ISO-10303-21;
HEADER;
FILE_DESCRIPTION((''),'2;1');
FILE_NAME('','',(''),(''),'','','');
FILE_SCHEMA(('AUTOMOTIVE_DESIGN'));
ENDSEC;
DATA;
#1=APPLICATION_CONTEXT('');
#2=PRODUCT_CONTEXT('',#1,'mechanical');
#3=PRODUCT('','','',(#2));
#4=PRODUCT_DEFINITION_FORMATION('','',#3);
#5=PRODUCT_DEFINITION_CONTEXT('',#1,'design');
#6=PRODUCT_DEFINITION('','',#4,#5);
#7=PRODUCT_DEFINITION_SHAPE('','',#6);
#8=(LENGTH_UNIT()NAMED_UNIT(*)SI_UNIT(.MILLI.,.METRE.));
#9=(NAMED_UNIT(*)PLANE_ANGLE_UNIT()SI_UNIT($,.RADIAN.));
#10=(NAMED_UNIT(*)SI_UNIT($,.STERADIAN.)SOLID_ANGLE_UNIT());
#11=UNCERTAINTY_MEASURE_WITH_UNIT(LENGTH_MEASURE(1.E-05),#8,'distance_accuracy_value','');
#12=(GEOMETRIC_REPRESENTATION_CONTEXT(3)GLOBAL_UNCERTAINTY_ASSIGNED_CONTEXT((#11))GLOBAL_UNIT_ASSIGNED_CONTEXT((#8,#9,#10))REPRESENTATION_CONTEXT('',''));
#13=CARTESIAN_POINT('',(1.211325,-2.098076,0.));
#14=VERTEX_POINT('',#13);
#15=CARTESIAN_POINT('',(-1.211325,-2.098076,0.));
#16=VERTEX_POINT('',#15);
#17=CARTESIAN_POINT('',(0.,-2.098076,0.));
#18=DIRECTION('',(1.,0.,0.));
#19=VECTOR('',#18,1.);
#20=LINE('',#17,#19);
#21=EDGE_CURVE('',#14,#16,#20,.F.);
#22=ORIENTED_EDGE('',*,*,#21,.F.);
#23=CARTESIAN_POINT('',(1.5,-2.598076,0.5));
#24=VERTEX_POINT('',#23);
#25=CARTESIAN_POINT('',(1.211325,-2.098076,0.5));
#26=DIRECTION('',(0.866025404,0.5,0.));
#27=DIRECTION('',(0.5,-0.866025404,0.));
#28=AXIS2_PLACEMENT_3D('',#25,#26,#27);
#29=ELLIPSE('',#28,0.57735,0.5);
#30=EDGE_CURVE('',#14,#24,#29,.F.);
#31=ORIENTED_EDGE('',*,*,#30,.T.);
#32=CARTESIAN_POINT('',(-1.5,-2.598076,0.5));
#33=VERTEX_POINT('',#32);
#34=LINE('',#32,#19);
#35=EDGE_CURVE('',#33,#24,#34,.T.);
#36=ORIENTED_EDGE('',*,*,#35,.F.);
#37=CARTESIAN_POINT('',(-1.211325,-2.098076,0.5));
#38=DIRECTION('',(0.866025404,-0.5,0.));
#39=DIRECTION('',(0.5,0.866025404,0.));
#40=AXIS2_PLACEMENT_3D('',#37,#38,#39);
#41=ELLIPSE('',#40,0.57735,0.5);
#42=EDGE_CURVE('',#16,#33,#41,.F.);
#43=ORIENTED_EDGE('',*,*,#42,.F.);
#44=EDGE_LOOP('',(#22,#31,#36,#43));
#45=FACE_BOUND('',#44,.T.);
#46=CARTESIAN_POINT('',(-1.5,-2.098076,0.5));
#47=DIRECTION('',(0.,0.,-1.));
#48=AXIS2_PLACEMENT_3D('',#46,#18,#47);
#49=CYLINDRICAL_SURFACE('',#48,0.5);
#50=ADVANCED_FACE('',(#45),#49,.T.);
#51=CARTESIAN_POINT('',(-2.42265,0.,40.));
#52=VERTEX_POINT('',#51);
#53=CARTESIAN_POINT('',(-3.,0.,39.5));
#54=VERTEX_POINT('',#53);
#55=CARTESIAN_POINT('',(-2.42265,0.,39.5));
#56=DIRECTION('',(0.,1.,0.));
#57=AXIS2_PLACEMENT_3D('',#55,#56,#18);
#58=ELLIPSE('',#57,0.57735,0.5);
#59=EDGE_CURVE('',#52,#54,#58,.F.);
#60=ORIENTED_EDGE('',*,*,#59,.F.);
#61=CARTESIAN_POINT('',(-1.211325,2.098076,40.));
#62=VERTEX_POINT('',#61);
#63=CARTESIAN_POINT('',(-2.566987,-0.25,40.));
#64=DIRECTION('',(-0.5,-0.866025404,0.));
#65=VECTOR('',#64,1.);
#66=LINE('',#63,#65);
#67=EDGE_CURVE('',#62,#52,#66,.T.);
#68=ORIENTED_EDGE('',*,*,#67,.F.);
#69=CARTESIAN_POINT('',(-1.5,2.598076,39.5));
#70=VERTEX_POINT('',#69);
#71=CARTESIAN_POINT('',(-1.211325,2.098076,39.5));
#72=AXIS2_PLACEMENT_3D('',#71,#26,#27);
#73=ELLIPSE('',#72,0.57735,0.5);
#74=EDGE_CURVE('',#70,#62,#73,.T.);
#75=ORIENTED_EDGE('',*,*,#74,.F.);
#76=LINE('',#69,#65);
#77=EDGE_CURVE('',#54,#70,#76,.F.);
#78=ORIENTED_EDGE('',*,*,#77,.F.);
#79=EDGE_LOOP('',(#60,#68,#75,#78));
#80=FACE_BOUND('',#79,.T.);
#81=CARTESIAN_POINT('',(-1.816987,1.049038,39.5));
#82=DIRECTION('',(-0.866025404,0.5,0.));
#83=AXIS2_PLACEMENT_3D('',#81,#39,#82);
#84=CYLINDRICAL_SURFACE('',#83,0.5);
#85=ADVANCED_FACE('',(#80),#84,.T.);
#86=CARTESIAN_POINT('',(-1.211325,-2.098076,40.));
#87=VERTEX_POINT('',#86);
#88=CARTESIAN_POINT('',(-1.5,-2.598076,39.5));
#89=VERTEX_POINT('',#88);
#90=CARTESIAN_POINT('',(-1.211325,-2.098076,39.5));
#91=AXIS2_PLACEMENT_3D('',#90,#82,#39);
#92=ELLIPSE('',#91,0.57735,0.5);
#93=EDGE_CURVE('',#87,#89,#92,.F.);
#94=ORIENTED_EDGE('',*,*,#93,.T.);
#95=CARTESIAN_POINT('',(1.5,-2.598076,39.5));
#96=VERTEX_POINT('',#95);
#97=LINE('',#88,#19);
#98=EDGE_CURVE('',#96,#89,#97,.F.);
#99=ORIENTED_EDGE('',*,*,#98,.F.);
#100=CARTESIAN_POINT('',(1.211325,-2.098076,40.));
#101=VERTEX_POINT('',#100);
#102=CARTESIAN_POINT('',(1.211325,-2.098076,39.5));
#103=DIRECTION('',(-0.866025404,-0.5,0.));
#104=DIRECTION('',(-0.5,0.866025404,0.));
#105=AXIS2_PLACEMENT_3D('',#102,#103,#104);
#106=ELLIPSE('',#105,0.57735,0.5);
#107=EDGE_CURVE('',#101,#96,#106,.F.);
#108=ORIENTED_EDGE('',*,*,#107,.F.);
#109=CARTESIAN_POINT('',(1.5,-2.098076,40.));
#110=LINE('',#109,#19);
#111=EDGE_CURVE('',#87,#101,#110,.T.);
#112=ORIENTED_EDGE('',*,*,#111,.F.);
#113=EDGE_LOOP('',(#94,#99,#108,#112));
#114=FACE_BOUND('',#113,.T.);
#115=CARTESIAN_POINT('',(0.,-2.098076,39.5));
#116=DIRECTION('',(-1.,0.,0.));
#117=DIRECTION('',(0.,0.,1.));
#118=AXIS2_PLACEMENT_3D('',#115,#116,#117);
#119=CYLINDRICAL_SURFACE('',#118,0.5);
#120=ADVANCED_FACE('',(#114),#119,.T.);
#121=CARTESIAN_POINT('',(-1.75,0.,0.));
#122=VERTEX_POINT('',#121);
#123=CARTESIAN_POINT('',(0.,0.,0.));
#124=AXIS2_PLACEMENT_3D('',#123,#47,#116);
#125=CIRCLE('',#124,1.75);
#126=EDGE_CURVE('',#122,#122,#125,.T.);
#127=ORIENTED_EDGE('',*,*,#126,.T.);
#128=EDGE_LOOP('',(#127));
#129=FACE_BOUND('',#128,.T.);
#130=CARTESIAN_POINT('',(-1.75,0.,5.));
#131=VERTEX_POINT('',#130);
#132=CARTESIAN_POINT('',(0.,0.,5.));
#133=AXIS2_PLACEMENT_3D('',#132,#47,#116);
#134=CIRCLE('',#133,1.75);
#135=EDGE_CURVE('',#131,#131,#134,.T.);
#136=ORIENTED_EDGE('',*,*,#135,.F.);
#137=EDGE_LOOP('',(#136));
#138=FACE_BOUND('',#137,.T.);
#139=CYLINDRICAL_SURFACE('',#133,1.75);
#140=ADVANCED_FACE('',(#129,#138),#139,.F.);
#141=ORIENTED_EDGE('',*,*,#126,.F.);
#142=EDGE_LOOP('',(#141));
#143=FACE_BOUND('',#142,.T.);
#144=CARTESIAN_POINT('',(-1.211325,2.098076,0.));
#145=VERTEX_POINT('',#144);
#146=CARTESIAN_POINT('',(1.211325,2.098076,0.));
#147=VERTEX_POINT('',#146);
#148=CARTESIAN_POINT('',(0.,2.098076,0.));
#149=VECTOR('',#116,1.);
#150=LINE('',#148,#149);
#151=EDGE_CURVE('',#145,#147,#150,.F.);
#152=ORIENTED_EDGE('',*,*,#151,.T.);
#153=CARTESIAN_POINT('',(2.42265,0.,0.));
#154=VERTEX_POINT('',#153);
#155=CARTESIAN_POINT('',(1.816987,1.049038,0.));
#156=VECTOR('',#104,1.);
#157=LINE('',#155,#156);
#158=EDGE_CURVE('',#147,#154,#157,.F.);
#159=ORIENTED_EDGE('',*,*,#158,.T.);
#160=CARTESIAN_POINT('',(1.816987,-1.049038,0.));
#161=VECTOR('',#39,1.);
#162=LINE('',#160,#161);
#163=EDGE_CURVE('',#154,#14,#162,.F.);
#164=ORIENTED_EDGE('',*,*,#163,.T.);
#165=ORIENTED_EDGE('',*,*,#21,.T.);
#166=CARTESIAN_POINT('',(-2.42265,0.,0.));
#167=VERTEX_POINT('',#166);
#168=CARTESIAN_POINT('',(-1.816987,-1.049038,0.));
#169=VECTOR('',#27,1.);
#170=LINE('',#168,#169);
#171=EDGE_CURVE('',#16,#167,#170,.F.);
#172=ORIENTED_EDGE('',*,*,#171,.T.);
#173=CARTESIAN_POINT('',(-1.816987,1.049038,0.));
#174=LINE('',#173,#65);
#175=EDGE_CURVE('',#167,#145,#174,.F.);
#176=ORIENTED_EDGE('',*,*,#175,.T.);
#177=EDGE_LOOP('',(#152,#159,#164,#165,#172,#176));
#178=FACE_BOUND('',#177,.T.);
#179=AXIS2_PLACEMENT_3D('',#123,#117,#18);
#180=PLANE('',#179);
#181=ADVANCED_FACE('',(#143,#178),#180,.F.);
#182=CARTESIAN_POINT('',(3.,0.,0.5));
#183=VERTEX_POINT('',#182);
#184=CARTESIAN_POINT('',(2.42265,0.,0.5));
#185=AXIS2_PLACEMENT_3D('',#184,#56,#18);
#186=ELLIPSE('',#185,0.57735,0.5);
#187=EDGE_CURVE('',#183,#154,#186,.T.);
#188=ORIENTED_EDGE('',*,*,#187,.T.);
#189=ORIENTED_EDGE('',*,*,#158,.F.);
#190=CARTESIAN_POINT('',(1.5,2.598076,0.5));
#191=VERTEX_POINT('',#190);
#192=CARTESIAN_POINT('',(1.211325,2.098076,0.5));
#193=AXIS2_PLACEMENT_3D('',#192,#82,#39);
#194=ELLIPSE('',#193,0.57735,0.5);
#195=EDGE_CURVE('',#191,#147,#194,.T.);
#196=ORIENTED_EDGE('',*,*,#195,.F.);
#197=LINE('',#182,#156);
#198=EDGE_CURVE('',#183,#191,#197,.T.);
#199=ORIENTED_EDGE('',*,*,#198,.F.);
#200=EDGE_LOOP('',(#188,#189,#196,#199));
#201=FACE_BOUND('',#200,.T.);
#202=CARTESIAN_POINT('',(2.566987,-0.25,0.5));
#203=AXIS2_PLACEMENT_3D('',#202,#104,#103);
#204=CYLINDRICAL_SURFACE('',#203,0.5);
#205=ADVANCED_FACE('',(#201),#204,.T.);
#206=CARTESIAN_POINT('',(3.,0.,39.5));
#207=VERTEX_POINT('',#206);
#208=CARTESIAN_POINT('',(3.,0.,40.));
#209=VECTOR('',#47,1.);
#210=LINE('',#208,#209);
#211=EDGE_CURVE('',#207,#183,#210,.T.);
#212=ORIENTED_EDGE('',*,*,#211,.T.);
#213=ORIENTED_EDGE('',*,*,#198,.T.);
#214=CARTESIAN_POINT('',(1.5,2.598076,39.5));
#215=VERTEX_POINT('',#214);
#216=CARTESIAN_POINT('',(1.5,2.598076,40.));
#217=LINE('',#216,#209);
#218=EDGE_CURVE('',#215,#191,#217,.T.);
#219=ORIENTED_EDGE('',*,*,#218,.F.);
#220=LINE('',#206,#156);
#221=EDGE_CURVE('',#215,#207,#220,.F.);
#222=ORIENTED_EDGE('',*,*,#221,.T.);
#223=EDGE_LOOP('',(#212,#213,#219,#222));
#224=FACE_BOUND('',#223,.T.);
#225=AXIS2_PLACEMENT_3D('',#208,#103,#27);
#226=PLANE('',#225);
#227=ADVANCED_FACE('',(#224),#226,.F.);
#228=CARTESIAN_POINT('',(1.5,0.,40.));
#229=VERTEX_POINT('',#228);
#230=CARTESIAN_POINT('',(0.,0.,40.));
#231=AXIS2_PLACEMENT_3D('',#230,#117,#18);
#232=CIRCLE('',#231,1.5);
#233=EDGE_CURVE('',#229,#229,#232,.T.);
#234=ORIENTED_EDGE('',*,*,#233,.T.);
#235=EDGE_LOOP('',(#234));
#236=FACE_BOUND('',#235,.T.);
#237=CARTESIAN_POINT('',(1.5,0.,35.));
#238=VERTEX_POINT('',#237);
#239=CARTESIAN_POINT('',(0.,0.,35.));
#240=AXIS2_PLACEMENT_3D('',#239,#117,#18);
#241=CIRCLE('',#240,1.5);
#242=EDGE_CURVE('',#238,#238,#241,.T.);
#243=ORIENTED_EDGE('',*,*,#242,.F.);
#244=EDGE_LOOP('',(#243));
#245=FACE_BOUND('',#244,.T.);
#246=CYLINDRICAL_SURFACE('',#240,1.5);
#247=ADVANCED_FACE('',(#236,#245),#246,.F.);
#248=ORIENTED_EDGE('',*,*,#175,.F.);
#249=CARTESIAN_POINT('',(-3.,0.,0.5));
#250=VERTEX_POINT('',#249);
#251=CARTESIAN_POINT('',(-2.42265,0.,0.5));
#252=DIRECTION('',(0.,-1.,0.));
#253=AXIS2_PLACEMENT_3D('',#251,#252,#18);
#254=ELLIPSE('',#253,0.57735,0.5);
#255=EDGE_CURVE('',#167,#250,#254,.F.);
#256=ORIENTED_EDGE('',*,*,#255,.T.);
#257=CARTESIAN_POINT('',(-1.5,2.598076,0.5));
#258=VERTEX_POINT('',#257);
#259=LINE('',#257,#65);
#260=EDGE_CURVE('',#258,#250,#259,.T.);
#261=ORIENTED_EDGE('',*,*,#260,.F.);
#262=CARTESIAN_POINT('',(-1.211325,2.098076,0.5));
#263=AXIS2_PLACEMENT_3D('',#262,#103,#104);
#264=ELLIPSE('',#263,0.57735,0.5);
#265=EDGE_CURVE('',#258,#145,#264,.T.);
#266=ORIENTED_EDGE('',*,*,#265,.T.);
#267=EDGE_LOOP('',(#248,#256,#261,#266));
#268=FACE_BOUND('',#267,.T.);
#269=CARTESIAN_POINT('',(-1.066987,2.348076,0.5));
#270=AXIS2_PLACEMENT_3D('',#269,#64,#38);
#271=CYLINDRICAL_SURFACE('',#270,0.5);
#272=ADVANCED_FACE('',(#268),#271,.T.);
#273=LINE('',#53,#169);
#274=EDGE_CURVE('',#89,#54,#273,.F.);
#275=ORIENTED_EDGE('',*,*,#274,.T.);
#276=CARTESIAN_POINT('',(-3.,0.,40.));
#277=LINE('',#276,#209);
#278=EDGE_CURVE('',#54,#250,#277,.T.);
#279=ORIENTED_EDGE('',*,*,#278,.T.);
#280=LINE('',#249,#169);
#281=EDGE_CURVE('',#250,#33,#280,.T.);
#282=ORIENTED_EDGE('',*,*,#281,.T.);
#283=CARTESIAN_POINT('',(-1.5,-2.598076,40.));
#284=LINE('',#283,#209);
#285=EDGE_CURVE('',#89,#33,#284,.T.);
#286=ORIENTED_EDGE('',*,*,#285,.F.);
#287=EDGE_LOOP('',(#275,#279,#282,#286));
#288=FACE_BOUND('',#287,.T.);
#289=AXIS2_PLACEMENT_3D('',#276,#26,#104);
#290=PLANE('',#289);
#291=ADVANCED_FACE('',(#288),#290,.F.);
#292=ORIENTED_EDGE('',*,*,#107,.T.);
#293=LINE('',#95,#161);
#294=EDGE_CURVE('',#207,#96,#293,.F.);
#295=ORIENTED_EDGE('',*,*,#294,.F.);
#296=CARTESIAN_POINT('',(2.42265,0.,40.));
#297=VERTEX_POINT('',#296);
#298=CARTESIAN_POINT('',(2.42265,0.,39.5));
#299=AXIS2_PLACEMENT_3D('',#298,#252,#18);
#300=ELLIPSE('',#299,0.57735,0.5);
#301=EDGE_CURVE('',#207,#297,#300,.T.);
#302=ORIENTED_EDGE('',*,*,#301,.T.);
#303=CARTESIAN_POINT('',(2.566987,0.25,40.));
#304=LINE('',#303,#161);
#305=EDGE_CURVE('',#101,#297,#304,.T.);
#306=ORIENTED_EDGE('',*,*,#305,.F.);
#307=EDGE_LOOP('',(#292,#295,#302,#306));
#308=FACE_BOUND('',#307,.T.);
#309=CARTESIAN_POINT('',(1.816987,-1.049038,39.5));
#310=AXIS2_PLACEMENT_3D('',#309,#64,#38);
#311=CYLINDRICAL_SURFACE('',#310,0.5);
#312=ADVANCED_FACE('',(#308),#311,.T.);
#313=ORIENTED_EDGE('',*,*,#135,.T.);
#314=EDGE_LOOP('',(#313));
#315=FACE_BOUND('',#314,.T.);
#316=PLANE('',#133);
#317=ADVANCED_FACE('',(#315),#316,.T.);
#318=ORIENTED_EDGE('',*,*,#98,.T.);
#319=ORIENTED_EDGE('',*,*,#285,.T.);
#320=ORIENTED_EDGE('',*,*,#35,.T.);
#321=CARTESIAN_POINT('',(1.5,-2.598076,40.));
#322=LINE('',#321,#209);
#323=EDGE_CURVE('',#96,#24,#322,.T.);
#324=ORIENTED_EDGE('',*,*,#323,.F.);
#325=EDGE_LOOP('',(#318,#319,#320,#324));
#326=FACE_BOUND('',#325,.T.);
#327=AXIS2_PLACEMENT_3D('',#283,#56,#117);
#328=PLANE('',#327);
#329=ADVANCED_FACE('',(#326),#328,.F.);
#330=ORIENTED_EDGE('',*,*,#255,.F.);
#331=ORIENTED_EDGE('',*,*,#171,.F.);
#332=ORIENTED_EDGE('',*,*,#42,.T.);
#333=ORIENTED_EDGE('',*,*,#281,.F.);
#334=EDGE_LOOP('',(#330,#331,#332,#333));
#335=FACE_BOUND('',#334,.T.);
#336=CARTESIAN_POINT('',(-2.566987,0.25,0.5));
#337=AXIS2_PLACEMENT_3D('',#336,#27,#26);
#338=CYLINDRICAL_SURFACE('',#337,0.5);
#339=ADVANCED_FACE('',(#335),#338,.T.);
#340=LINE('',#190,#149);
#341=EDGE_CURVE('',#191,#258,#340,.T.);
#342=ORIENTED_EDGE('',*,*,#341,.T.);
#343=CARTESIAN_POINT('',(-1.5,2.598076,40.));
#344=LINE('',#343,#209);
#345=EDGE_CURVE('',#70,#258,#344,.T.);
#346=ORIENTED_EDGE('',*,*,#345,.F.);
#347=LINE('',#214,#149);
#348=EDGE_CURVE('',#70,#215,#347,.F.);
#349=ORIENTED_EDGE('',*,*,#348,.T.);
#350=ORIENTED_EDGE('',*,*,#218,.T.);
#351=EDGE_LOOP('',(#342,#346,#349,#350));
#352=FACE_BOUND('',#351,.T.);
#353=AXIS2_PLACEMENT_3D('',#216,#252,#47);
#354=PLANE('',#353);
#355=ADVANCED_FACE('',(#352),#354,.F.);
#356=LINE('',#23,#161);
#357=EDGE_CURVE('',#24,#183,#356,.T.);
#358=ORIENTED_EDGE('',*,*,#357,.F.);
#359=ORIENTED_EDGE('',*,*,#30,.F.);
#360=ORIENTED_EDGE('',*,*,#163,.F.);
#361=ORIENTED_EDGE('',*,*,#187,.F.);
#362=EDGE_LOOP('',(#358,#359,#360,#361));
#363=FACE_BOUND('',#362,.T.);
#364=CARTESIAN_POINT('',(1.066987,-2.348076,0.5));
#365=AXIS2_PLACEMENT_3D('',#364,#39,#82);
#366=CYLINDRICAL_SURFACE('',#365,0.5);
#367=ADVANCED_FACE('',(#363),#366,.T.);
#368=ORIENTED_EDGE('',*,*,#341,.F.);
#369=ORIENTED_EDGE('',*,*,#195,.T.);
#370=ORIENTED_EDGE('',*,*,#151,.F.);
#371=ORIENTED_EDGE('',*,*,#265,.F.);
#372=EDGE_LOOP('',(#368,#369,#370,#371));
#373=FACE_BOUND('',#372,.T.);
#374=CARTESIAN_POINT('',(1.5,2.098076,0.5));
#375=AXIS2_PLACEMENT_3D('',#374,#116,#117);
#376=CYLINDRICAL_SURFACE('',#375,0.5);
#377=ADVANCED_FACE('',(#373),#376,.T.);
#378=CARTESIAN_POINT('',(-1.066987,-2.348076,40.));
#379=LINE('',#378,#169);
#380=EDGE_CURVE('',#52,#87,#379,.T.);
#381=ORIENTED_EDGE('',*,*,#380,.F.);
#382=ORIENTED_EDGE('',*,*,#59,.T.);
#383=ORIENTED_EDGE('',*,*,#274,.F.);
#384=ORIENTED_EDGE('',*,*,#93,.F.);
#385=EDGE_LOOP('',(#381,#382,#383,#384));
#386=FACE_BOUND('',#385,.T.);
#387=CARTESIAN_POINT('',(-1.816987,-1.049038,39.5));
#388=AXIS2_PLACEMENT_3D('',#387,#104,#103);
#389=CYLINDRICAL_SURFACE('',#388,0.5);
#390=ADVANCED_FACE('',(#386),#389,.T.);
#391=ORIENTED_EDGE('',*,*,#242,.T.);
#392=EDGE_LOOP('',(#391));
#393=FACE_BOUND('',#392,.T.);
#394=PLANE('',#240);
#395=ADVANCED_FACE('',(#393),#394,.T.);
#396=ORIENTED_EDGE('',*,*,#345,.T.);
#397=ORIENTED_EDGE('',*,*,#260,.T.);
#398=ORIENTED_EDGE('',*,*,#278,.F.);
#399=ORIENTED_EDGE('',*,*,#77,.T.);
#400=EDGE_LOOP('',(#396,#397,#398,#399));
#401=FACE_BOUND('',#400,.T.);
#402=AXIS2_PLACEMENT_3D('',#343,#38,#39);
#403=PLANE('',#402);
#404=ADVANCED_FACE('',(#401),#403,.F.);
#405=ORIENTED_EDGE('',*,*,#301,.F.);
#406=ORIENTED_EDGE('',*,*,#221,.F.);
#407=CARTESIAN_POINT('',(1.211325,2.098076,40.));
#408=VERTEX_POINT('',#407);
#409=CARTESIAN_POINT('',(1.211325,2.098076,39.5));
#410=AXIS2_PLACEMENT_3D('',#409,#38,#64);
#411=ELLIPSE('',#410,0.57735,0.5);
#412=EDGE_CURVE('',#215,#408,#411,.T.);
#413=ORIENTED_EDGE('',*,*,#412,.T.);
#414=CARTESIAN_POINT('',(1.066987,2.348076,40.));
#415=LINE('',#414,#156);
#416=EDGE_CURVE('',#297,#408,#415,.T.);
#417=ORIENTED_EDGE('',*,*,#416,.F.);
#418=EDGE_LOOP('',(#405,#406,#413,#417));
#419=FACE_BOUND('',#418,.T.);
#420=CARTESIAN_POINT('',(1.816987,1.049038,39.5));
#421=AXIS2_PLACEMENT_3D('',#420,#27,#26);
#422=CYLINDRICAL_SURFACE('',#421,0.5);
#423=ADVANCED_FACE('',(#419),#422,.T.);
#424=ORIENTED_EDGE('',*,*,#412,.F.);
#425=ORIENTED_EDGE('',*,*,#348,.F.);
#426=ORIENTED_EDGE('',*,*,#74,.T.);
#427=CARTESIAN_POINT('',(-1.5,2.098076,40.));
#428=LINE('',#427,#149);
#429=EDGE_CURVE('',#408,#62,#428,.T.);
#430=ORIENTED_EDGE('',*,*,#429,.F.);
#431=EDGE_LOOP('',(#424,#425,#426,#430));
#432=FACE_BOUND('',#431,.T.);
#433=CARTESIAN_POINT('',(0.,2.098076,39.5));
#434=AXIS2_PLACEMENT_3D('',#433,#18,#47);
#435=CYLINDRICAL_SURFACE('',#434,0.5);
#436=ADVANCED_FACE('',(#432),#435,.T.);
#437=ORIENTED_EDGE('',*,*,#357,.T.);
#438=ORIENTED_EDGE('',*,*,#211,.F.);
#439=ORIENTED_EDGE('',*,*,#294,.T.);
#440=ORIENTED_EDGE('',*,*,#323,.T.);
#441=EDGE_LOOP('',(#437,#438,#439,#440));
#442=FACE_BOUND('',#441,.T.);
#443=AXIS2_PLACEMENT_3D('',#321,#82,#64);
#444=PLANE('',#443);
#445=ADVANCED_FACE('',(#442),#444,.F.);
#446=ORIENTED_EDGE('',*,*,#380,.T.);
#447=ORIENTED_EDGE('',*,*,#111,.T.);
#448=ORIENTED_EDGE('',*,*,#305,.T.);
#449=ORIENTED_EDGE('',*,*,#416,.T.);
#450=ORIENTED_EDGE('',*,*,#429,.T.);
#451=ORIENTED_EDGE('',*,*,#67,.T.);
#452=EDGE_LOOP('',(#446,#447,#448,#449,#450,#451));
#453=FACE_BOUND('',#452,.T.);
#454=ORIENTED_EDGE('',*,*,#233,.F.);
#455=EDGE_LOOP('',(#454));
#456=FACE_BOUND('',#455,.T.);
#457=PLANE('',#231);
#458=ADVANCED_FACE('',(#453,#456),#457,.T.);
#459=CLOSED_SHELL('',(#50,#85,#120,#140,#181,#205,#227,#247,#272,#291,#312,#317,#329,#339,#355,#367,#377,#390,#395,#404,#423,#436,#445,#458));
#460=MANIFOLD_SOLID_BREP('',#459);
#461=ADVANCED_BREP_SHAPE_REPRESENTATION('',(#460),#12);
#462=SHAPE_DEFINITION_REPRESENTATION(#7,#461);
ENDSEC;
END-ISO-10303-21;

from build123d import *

# Parameters (mm, degrees)
EXTRUDE_2_DEPTH     = 40
SKETCH_3_R          = 1.75
CUT_EXTRUDE_1_DEPTH = 5
FILLET_1_R          = 0.5
SKETCH_2_R          = 1.5
CUT_EXTRUDE_2_DEPTH = 5


with BuildPart() as part:
    # ｽｹｯﾁ1 → ﾎﾞｽ - 押し出し2 (new body)
    with BuildSketch(Plane.XY):
        Polygon((3, 0), (1.5, 2.598076211), (-1.5, 2.598076211), (-3, 0), (-1.5, -2.598076211), (1.5, -2.598076211), align=None)
    extrude(amount=EXTRUDE_2_DEPTH)

    # ｽｹｯﾁ3 → ｶｯﾄ - 押し出し1 (cut)
    with BuildSketch(Plane(origin=(0, 0, 0), x_dir=(-1, 0, 0), z_dir=(0, 0, -1))):
        Circle(SKETCH_3_R)
    extrude(amount=-CUT_EXTRUDE_1_DEPTH, mode=Mode.SUBTRACT)

    # ﾌｨﾚｯﾄ1
    fillet_1_edges = [part.edges().sort_by_distance(p)[0] for p in [
        (0, 2.598076211, 40),
        (-2.25, 1.299038106, 40),
        (-2.25, -1.299038106, 40),
        (0, -2.598076211, 40),
        (2.25, -1.299038106, 40),
        (0, -2.598076211, 0),
        (-2.25, -1.299038106, 0),
        (-2.25, 1.299038106, 0),
        (2.25, 1.299038106, 40),
        (0, 2.598076211, 0),
        (2.25, 1.299038106, 0),
        (2.25, -1.299038106, 0),
    ]]
    fillet(fillet_1_edges, radius=FILLET_1_R)

    # ｽｹｯﾁ2 → ｶｯﾄ - 押し出し2 (cut)
    with BuildSketch(Plane.XY.offset(40)):
        Circle(SKETCH_2_R)
    extrude(amount=-CUT_EXTRUDE_2_DEPTH, mode=Mode.SUBTRACT)


solid = part.part
